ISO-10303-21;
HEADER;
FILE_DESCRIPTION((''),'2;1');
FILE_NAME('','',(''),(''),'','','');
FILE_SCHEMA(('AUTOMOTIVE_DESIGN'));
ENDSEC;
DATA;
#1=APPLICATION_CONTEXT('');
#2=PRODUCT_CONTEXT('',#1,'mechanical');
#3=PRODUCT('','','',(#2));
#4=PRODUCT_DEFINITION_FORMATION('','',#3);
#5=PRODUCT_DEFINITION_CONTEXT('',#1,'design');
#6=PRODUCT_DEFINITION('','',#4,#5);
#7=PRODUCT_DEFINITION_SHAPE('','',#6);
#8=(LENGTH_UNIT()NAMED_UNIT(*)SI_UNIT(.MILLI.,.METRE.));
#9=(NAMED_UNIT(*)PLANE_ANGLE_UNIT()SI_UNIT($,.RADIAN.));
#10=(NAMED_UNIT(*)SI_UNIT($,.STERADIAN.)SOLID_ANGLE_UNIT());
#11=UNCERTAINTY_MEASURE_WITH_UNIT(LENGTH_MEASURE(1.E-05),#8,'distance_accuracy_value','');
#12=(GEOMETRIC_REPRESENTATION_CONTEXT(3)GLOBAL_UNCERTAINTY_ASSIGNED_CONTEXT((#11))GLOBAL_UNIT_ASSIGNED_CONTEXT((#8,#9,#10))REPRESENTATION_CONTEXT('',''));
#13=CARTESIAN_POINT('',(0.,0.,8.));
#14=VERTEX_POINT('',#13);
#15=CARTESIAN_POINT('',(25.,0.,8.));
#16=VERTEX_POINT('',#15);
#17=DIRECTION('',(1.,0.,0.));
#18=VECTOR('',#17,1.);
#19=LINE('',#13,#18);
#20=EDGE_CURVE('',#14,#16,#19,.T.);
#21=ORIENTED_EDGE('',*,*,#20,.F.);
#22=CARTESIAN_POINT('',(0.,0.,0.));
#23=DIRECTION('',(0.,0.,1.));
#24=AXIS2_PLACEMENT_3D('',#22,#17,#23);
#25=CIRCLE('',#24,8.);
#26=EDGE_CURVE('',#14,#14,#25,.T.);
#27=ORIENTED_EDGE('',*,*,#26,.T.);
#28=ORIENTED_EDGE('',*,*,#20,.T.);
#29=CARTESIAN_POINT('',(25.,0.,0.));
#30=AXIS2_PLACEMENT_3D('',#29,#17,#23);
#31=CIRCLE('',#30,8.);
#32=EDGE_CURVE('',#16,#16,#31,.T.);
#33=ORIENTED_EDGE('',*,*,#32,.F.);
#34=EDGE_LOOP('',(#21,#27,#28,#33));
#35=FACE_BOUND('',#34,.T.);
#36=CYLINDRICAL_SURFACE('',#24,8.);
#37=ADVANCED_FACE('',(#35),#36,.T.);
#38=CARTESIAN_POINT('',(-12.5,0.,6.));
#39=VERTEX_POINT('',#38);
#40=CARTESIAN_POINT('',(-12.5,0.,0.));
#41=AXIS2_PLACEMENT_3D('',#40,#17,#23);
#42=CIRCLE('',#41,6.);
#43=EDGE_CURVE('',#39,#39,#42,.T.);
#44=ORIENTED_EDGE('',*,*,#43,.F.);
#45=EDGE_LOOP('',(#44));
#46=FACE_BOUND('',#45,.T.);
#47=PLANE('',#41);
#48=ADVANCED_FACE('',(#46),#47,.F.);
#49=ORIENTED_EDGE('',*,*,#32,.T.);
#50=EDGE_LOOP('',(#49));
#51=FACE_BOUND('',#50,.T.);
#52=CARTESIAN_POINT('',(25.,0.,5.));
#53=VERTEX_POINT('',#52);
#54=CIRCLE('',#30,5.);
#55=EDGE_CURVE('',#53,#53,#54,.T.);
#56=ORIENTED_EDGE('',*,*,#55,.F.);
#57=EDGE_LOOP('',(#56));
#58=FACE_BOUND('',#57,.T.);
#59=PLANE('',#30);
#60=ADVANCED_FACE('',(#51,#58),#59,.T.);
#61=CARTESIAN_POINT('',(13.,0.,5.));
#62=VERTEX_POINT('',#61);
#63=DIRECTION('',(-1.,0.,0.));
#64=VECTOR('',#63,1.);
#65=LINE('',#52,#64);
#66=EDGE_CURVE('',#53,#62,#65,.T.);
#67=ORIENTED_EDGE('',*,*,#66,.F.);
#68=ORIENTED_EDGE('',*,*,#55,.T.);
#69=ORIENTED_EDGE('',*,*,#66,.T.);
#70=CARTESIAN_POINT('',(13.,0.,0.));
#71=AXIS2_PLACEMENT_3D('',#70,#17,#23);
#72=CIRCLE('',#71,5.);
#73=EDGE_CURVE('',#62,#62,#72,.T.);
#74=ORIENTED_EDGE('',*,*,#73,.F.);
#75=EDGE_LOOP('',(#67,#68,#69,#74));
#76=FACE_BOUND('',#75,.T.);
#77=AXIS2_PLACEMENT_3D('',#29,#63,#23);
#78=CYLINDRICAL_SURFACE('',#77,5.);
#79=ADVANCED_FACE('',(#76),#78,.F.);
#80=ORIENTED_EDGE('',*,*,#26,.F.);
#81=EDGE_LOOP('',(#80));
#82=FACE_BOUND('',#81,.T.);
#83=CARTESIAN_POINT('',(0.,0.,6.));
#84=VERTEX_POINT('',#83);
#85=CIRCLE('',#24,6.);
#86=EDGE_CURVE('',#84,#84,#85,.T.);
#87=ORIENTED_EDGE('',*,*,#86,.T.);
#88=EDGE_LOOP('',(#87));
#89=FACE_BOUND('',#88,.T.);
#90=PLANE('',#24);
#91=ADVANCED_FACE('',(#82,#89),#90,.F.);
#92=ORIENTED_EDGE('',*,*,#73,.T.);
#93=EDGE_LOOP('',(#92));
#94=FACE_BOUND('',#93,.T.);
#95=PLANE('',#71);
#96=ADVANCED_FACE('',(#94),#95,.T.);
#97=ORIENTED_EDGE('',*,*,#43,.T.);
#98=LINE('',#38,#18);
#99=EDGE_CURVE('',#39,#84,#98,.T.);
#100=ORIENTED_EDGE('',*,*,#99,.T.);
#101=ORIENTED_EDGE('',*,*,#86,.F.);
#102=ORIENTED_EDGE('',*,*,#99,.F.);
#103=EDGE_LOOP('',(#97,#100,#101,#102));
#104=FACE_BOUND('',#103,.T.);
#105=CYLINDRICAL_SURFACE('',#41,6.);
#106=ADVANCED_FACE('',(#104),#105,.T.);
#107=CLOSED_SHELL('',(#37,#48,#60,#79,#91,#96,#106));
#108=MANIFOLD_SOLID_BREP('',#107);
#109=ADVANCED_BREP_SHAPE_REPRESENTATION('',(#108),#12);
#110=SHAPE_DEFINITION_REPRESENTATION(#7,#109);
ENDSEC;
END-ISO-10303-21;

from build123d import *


with BuildPart() as part:
    # Sketch → Revolution (revolve)
    with BuildSketch(Plane.XZ):
        Polygon((13, 0), (-12.5, 0), (-12.5, 6), (0, 6), (0, 8), (25, 8), (25, 5), (13, 5), align=None)
    revolve(axis=Axis((0, 0, 0), (1, 0, 0)))


solid = part.part
